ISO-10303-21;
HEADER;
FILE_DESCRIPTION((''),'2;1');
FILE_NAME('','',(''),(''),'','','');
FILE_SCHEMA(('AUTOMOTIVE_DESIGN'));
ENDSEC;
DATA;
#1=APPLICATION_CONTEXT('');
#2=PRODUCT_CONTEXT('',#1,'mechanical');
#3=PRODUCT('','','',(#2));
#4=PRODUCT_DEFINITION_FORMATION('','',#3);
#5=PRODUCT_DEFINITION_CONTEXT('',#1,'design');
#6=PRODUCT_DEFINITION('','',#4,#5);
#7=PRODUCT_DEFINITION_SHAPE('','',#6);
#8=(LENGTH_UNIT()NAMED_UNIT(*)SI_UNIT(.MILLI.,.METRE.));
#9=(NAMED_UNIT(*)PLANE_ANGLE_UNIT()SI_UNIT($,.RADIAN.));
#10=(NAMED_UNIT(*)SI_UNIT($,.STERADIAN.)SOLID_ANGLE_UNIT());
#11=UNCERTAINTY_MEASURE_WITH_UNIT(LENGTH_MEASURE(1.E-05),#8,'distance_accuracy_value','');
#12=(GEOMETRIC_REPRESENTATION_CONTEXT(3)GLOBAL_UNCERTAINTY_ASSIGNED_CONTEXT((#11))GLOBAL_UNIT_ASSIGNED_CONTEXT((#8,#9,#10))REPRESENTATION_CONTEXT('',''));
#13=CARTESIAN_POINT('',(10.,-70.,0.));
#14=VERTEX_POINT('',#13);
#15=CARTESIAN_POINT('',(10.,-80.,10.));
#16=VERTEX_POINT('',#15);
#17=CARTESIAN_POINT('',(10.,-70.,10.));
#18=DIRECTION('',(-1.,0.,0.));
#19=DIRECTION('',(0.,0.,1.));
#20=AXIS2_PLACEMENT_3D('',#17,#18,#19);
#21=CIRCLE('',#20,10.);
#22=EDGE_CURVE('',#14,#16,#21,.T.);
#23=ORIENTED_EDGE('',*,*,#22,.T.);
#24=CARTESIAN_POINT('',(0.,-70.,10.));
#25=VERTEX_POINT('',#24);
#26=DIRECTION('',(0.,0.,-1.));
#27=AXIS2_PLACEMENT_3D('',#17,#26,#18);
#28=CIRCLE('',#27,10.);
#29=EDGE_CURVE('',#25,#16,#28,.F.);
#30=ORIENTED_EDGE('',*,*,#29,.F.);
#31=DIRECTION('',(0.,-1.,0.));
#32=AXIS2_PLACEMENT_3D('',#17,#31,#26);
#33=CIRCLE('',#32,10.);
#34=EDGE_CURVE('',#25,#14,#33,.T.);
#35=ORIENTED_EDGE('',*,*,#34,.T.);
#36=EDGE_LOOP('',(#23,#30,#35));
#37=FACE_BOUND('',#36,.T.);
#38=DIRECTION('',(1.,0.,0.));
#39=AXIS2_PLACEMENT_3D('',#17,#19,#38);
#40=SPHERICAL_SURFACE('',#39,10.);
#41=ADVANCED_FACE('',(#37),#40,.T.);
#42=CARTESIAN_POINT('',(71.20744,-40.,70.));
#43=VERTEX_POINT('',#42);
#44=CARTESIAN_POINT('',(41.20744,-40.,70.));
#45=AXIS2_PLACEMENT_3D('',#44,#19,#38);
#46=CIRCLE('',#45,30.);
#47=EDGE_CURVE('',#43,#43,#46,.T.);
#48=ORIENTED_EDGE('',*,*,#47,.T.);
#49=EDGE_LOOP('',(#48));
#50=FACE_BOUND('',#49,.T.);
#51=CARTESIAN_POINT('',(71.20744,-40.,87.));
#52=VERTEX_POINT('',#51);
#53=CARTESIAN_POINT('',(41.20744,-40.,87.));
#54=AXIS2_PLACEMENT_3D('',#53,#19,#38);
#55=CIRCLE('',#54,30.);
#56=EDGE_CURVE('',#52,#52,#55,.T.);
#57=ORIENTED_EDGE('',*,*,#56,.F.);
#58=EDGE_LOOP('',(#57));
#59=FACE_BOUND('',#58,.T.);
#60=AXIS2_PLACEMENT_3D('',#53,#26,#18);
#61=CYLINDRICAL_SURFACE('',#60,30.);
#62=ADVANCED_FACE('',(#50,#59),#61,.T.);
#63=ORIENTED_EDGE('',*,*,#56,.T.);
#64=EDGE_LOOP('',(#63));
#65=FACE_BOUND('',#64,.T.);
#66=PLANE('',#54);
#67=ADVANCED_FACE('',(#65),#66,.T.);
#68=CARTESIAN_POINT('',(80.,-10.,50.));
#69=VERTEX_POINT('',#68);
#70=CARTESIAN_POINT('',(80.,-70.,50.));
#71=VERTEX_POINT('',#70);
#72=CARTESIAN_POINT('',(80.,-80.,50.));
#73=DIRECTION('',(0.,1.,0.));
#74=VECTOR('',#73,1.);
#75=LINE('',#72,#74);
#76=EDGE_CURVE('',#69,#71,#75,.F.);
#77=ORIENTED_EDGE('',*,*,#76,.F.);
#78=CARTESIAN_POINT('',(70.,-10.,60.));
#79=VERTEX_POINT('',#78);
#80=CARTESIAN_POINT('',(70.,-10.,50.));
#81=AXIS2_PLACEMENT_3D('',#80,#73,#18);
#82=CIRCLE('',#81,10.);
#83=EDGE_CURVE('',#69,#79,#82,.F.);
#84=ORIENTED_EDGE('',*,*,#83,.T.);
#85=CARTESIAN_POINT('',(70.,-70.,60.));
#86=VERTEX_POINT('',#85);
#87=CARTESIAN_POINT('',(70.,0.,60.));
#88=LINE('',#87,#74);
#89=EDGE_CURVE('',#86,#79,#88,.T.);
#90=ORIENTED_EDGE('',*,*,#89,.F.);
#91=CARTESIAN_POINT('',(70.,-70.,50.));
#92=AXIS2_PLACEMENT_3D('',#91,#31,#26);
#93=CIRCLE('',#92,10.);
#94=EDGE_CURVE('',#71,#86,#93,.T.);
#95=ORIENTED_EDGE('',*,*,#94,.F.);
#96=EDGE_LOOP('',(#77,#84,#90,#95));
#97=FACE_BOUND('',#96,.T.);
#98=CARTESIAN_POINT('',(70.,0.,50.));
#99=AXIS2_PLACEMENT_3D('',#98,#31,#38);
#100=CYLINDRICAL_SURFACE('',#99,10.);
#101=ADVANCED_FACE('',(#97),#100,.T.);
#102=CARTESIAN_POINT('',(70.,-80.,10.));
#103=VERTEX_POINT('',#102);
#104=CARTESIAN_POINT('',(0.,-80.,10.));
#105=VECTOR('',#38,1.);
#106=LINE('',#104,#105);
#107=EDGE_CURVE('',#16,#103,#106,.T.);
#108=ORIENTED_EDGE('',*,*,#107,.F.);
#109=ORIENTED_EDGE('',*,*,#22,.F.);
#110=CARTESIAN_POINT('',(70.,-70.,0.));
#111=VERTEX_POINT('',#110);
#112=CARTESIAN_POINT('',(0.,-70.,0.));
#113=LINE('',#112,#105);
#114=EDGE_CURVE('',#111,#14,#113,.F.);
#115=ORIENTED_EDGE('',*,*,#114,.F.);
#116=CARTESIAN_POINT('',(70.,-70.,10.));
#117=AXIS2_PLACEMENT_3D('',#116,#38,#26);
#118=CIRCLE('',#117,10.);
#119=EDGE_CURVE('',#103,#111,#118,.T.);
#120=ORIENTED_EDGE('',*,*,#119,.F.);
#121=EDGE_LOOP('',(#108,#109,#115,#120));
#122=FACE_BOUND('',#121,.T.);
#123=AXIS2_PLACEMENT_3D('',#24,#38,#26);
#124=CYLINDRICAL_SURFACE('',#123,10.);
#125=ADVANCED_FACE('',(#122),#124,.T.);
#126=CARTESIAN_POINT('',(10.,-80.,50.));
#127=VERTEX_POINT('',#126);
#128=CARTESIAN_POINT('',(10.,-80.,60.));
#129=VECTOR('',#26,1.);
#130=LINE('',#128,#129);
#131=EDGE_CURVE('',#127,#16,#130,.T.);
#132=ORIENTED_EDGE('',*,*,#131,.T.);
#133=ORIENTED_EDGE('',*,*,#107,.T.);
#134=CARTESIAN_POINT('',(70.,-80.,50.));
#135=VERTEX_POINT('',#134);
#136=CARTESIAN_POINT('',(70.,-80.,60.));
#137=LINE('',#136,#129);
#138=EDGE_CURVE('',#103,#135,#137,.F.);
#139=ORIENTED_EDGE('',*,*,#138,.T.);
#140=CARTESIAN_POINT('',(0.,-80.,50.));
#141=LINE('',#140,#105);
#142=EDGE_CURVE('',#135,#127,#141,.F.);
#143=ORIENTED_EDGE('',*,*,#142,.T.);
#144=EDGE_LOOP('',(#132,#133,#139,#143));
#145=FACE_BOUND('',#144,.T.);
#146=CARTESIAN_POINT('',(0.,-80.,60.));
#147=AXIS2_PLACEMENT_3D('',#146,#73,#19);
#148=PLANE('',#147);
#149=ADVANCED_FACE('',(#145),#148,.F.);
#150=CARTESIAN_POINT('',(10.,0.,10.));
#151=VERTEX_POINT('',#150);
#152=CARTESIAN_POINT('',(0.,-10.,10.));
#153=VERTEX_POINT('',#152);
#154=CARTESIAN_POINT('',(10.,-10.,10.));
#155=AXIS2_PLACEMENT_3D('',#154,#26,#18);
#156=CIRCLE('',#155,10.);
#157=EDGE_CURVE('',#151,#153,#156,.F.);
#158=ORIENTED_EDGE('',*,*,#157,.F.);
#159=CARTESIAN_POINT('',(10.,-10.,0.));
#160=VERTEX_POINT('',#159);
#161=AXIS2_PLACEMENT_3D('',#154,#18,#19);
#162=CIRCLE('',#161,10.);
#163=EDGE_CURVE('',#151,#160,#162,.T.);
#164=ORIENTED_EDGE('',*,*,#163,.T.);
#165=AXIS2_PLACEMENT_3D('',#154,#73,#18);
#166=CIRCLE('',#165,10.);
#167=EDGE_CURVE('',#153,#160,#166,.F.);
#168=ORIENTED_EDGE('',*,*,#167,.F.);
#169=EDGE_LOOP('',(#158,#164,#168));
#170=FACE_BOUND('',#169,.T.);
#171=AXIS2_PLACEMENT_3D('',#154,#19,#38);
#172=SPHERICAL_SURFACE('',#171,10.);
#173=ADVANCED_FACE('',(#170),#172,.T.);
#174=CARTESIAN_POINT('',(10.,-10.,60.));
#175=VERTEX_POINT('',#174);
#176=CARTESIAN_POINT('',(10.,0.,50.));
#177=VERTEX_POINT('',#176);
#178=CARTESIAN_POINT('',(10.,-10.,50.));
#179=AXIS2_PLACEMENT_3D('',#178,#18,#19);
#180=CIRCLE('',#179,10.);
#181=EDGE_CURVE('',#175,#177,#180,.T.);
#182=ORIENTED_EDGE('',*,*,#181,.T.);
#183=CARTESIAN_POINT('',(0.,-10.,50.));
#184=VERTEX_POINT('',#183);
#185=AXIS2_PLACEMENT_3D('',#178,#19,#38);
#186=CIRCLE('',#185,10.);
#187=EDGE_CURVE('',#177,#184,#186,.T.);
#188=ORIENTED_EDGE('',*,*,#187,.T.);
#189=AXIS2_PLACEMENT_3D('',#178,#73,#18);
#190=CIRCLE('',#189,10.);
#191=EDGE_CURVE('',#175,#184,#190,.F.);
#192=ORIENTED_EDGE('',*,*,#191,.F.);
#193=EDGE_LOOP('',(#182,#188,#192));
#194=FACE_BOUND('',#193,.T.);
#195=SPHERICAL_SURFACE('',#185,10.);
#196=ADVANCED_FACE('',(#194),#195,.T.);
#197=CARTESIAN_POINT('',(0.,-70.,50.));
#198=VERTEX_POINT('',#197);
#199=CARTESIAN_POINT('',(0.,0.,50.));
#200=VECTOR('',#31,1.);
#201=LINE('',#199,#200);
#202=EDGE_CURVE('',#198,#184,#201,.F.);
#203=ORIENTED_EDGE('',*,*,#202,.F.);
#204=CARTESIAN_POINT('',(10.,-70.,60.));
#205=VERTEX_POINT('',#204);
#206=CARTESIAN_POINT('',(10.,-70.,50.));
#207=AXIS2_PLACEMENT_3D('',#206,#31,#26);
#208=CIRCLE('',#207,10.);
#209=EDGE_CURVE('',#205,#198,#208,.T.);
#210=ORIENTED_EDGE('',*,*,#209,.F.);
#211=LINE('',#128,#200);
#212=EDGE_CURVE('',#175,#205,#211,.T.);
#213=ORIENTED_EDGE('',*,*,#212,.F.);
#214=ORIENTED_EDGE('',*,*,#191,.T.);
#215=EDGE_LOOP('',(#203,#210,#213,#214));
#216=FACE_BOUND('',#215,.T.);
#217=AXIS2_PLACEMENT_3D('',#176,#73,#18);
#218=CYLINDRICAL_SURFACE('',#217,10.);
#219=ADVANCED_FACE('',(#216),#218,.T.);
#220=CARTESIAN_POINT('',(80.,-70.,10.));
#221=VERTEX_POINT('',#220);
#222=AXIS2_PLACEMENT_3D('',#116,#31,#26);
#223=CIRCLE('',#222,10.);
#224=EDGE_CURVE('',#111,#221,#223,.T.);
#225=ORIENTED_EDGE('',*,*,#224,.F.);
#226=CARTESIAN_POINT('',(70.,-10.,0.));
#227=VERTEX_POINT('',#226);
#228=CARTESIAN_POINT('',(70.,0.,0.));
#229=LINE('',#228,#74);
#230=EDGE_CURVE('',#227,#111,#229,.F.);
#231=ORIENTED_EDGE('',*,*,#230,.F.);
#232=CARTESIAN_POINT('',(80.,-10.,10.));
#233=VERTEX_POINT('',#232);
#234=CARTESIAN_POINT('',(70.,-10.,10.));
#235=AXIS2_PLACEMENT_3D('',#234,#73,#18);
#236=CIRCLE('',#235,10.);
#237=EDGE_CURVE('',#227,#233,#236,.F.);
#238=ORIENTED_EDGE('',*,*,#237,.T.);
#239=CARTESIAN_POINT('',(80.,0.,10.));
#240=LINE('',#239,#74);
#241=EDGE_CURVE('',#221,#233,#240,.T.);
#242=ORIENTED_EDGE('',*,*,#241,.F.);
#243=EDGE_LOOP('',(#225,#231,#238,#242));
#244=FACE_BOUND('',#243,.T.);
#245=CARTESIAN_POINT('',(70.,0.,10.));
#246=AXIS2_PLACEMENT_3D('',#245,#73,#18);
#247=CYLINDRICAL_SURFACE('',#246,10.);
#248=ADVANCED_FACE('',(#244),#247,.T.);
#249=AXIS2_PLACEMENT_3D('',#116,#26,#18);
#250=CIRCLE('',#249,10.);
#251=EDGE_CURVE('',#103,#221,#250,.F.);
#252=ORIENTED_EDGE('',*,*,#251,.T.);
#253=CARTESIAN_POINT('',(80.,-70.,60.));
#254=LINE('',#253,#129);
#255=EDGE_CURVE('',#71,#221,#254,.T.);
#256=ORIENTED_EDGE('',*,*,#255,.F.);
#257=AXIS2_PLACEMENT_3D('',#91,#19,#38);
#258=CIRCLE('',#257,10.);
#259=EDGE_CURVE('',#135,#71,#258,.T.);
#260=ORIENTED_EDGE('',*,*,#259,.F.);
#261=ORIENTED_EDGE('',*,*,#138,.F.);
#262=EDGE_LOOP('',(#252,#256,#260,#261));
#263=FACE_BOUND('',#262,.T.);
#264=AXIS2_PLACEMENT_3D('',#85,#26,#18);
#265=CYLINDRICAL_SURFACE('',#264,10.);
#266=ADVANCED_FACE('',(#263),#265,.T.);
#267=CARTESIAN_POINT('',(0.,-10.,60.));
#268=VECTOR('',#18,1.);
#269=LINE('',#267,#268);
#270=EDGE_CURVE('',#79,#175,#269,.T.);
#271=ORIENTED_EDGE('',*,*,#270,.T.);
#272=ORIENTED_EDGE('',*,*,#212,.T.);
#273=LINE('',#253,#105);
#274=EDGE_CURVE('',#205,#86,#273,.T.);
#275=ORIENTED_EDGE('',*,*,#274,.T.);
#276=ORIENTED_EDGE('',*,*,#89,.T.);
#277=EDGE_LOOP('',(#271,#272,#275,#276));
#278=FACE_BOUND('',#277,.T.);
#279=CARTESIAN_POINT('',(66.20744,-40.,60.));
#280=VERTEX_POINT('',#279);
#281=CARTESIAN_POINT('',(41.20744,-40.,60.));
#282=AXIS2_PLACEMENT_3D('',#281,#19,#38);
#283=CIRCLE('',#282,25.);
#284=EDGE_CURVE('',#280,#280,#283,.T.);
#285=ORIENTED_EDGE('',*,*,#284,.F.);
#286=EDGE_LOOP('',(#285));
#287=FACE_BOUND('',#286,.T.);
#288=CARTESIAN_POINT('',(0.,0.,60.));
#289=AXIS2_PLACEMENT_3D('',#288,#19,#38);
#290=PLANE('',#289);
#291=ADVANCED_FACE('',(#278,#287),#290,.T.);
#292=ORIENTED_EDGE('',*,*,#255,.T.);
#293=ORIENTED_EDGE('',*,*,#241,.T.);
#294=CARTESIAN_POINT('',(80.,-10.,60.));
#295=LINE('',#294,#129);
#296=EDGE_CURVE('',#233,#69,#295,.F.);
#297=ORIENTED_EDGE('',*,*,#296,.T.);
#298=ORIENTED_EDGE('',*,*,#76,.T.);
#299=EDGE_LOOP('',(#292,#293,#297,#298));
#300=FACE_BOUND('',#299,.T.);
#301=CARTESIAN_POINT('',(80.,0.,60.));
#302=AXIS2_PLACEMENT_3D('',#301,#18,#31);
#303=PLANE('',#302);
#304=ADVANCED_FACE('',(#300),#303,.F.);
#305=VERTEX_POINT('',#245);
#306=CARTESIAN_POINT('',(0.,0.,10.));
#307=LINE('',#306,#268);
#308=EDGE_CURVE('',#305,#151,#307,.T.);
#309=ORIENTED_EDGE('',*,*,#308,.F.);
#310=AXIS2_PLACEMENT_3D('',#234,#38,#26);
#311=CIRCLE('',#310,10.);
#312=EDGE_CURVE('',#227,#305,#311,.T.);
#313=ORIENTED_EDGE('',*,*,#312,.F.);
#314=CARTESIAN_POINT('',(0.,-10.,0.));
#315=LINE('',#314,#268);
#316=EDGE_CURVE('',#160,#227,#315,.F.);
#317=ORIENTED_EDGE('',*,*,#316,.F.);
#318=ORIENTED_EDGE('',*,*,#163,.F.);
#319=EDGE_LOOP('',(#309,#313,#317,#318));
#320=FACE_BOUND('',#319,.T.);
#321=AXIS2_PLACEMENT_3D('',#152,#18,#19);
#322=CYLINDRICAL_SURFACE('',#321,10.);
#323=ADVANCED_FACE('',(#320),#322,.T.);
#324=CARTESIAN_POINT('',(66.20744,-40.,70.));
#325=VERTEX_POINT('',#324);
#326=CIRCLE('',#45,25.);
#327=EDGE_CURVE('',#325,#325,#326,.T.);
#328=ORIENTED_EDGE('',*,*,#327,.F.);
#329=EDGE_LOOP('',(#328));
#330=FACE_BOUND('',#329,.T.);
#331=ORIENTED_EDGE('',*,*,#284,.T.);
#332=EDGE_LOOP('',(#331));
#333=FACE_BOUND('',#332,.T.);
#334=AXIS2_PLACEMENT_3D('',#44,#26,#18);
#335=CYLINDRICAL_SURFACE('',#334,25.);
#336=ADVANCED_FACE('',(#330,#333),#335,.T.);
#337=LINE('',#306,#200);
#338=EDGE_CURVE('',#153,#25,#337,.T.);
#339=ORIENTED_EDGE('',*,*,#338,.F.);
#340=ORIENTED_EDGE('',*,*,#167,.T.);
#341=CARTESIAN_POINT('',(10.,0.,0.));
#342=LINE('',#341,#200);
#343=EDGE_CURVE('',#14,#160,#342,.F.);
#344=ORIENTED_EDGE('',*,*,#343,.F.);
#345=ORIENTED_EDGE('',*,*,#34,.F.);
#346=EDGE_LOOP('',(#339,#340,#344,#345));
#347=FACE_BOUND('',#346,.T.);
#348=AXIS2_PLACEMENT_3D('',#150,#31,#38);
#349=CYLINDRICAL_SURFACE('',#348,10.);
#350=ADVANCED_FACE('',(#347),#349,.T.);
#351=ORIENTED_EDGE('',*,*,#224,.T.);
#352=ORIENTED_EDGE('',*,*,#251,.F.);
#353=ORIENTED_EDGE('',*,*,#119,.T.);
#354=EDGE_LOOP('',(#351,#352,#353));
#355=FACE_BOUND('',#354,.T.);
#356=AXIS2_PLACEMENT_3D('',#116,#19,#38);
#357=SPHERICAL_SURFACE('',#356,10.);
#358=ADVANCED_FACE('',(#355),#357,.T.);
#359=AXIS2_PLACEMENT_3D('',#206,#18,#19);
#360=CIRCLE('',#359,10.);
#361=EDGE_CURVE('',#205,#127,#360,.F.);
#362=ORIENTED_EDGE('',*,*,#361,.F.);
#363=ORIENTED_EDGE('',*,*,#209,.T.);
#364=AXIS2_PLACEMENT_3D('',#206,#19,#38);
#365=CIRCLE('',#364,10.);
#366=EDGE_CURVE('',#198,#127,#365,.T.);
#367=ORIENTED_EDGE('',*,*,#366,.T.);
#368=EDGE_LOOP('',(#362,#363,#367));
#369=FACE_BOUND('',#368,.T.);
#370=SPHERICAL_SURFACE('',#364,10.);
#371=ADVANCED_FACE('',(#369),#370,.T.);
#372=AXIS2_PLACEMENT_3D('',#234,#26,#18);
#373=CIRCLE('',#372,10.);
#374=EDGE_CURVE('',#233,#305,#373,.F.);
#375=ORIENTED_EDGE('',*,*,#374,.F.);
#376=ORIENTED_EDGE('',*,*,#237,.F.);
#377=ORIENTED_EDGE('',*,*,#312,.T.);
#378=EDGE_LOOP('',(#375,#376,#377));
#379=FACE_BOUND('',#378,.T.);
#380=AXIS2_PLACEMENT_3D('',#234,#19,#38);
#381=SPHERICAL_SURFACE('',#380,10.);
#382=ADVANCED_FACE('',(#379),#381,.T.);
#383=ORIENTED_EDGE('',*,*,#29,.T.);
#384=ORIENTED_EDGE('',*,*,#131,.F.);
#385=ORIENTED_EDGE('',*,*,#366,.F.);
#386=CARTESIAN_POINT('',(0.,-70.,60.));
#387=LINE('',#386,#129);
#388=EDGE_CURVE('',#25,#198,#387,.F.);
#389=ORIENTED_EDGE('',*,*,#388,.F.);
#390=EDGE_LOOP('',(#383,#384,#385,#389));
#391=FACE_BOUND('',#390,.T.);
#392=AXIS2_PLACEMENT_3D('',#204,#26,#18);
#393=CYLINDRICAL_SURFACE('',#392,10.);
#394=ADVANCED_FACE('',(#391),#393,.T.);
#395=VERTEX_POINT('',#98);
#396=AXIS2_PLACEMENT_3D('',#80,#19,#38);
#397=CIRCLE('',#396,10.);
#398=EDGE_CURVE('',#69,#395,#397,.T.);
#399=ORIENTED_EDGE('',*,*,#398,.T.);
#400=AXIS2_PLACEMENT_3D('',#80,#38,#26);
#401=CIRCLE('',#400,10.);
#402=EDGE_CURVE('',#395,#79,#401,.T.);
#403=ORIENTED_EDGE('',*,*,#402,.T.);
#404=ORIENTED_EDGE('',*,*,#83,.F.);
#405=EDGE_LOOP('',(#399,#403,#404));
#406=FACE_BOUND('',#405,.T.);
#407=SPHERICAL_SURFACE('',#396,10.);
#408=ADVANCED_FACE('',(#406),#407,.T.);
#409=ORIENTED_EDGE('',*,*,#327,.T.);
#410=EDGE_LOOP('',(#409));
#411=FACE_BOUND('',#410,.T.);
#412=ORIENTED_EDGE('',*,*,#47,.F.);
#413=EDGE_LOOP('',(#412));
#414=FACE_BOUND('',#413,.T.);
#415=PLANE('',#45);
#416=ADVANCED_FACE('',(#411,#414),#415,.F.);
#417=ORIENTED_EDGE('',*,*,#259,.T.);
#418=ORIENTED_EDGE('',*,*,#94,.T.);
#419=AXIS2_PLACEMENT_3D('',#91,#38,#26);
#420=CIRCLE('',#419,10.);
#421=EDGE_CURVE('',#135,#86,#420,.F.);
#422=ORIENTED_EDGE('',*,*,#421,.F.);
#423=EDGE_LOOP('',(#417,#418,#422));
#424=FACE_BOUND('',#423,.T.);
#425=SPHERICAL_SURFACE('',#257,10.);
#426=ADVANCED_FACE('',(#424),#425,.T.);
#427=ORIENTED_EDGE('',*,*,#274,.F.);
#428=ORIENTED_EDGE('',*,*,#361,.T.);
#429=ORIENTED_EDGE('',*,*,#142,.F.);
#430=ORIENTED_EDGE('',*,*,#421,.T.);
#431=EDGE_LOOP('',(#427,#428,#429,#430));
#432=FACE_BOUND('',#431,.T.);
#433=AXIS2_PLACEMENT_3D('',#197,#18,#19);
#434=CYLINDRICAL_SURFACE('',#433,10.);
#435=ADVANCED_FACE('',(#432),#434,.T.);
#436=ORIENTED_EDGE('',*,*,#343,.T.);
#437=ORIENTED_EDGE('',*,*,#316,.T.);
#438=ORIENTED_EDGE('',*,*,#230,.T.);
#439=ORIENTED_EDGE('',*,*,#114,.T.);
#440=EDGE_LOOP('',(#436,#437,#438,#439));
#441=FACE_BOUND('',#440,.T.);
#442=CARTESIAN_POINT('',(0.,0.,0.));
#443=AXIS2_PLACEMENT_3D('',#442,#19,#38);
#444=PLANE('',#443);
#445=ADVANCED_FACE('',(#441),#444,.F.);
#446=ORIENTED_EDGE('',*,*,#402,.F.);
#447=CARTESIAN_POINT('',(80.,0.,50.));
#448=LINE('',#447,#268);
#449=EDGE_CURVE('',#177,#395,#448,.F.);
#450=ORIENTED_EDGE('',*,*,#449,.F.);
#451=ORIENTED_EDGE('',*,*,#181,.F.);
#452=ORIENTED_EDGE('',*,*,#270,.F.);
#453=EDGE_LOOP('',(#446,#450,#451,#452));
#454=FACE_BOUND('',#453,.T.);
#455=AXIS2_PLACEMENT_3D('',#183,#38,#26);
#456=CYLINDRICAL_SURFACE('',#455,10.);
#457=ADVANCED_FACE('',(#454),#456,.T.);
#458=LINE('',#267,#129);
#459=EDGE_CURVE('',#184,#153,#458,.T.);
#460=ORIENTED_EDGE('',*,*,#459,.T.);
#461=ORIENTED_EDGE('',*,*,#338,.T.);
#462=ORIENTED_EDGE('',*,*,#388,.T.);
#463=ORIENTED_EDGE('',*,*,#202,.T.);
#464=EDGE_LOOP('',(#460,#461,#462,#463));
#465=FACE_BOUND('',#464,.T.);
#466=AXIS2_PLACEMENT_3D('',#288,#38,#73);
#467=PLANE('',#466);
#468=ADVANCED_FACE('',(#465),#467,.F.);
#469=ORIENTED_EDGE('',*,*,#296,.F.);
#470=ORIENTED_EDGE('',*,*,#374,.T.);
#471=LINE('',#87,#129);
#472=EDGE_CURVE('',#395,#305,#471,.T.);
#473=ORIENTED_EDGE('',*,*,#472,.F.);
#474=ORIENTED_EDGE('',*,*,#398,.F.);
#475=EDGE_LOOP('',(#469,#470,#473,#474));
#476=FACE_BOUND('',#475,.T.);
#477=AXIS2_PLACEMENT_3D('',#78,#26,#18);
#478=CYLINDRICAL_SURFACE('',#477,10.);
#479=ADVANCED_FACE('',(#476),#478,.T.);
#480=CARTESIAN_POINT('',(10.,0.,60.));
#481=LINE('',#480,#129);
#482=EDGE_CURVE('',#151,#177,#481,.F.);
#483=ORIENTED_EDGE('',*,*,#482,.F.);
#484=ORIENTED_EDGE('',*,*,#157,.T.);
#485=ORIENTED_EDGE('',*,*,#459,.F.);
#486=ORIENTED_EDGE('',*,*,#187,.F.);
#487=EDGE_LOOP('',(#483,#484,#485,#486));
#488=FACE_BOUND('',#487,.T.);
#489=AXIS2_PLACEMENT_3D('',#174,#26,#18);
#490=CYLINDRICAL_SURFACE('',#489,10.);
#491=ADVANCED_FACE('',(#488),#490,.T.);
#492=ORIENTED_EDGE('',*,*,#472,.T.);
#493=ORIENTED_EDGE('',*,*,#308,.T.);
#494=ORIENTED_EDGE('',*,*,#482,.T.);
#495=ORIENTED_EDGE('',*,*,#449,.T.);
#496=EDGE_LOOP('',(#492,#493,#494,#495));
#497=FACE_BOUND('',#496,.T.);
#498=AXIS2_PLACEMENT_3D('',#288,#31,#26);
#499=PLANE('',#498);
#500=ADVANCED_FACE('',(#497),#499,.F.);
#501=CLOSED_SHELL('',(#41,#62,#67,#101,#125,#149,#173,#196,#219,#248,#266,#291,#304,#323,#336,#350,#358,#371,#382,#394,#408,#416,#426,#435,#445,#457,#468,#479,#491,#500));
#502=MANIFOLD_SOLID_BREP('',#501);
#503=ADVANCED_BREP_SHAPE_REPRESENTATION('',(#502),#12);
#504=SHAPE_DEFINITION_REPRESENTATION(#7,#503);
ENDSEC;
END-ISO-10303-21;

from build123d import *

# Parameters (mm, degrees)
SKETCH_1_W      = 80
SKETCH_1_H      = 80
EXTRUDE_1_DEPTH = 60
FILLET_1_R      = 10
SKETCH_2_R      = 25
EXTRUDE_2_DEPTH = 10
SKETCH_3_R      = 30
EXTRUDE_3_DEPTH = 17


with BuildPart() as part:
    # 스케치1 → 보스-돌출1 (new body)
    with BuildSketch(Plane.XY):
        with Locations((40, -40)):
            Rectangle(SKETCH_1_W, SKETCH_1_H)
    extrude(amount=EXTRUDE_1_DEPTH)

    # 필렛1
    fillet_1_edges = [part.edges().sort_by_distance(p)[0] for p in [
        (80, -40, 60),
        (40, 0, 60),
        (0, -40, 60),
        (40, 0, 0),
        (80, -40, 0),
        (40, -80, 0),
        (0, -40, 0),
        (40, -80, 60),
        (0, 0, 30),
        (80, 0, 30),
        (80, -80, 30),
        (0, -80, 30),
    ]]
    fillet(fillet_1_edges, radius=FILLET_1_R)

    # 스케치2 → 보스-돌출2 (add)
    with BuildSketch(Plane.XY.offset(60)):
        with Locations((41.207439788, -40)):
            Circle(SKETCH_2_R)
    extrude(amount=EXTRUDE_2_DEPTH)

    # 스케치3 → 보스-돌출3 (add)
    with BuildSketch(Plane.XY.offset(70)):
        with Locations((41.207439788, -40)):
            Circle(SKETCH_3_R)
    extrude(amount=EXTRUDE_3_DEPTH)


solid = part.part
